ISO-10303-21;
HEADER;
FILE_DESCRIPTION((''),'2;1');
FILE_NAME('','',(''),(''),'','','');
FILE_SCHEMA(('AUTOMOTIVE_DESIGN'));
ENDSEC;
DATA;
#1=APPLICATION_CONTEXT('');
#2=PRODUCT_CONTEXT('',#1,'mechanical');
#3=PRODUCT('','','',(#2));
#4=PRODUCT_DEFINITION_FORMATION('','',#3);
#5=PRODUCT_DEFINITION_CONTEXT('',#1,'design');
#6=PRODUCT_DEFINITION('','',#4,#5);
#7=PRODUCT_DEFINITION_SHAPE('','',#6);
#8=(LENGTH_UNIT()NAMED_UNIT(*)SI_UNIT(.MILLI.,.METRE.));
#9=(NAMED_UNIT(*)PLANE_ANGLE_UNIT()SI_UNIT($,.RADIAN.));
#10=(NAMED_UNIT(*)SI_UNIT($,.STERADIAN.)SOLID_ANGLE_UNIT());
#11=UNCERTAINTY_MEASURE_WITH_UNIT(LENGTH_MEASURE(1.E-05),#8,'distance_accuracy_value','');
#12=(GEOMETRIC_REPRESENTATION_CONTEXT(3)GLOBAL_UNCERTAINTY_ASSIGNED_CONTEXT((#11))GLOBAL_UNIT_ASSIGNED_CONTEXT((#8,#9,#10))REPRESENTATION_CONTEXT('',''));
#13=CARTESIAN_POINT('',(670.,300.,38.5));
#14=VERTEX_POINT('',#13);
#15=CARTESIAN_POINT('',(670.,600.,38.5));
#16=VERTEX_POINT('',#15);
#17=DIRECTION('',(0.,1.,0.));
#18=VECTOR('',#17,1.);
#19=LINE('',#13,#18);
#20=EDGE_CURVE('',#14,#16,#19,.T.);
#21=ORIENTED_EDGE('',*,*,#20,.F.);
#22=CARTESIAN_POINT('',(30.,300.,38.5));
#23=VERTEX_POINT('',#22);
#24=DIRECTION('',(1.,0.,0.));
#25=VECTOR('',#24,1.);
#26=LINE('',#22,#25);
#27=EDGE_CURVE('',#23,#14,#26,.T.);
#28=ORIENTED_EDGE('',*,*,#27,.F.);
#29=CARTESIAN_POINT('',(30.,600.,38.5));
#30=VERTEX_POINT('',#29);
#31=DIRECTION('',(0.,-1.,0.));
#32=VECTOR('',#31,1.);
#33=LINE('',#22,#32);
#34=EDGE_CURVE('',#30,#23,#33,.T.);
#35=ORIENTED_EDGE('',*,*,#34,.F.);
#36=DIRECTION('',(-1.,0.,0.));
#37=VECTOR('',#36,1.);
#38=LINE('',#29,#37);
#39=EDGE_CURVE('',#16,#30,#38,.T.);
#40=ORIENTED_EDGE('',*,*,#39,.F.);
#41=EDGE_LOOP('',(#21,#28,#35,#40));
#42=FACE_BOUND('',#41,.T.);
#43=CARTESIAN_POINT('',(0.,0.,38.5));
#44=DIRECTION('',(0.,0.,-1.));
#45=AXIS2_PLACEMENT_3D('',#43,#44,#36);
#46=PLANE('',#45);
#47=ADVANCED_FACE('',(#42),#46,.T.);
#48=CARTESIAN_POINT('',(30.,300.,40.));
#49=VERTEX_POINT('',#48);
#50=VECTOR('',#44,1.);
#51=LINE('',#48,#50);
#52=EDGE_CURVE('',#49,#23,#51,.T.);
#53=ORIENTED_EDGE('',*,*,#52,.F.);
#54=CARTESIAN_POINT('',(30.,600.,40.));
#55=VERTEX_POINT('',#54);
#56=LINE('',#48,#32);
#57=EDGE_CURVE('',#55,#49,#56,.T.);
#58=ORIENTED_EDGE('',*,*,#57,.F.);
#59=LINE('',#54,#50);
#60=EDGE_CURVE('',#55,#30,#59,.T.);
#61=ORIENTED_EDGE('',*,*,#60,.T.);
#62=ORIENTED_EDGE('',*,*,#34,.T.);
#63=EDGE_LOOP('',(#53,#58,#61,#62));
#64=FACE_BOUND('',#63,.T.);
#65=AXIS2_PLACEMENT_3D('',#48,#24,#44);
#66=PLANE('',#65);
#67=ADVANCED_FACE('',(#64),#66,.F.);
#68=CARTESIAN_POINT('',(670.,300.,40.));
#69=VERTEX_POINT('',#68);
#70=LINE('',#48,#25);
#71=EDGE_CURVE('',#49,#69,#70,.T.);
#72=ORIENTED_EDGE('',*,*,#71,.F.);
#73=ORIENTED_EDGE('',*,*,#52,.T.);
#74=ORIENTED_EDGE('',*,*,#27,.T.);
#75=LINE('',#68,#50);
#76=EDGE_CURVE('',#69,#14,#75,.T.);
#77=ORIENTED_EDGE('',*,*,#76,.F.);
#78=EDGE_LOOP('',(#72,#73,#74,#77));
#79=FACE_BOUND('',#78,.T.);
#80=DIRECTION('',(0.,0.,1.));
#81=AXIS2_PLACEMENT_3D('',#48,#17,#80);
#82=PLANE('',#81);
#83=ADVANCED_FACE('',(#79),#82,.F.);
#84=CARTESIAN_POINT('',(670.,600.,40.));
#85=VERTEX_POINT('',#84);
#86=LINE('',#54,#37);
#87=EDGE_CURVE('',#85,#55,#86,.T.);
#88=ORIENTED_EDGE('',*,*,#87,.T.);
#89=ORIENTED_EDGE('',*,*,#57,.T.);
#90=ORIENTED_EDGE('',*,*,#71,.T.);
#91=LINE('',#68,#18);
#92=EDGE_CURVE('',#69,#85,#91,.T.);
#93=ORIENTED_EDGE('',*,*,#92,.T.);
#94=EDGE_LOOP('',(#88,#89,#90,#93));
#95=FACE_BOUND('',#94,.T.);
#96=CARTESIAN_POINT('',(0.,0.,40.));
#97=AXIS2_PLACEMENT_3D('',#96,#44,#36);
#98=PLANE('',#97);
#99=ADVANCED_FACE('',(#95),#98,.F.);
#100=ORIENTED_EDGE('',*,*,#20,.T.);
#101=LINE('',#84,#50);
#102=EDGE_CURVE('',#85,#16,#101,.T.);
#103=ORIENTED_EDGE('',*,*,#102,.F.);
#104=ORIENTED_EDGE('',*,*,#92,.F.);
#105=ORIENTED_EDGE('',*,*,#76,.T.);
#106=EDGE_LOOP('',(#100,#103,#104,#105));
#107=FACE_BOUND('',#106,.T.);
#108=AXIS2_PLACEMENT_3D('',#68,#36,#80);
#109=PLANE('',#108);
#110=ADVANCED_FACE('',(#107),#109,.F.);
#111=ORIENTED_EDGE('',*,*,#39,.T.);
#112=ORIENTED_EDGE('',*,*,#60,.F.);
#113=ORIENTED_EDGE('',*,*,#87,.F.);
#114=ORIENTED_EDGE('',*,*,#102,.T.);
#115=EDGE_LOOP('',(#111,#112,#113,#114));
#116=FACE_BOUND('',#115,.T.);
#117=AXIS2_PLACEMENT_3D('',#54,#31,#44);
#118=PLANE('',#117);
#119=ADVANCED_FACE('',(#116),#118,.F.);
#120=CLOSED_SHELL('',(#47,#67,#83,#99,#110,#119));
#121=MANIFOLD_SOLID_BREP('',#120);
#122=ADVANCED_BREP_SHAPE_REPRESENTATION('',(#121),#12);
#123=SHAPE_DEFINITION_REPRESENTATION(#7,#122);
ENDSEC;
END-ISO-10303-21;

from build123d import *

# Parameters (mm, degrees)
PACK_PANEL_MEKANIZMA_1_START = 38.5
SKETCH1_W                    = 640
SKETCH1_H                    = 300
PACK_PANEL_MEKANIZMA_1_DEPTH = 1.5


with BuildPart() as part:
    # Sketch1 → PACK_panel_mekanizma_1 (new body)
    with BuildSketch(Plane.XY.offset(PACK_PANEL_MEKANIZMA_1_START)):
        with Locations((350, 450)):
            Rectangle(SKETCH1_W, SKETCH1_H)
    extrude(amount=PACK_PANEL_MEKANIZMA_1_DEPTH)


solid = part.part
